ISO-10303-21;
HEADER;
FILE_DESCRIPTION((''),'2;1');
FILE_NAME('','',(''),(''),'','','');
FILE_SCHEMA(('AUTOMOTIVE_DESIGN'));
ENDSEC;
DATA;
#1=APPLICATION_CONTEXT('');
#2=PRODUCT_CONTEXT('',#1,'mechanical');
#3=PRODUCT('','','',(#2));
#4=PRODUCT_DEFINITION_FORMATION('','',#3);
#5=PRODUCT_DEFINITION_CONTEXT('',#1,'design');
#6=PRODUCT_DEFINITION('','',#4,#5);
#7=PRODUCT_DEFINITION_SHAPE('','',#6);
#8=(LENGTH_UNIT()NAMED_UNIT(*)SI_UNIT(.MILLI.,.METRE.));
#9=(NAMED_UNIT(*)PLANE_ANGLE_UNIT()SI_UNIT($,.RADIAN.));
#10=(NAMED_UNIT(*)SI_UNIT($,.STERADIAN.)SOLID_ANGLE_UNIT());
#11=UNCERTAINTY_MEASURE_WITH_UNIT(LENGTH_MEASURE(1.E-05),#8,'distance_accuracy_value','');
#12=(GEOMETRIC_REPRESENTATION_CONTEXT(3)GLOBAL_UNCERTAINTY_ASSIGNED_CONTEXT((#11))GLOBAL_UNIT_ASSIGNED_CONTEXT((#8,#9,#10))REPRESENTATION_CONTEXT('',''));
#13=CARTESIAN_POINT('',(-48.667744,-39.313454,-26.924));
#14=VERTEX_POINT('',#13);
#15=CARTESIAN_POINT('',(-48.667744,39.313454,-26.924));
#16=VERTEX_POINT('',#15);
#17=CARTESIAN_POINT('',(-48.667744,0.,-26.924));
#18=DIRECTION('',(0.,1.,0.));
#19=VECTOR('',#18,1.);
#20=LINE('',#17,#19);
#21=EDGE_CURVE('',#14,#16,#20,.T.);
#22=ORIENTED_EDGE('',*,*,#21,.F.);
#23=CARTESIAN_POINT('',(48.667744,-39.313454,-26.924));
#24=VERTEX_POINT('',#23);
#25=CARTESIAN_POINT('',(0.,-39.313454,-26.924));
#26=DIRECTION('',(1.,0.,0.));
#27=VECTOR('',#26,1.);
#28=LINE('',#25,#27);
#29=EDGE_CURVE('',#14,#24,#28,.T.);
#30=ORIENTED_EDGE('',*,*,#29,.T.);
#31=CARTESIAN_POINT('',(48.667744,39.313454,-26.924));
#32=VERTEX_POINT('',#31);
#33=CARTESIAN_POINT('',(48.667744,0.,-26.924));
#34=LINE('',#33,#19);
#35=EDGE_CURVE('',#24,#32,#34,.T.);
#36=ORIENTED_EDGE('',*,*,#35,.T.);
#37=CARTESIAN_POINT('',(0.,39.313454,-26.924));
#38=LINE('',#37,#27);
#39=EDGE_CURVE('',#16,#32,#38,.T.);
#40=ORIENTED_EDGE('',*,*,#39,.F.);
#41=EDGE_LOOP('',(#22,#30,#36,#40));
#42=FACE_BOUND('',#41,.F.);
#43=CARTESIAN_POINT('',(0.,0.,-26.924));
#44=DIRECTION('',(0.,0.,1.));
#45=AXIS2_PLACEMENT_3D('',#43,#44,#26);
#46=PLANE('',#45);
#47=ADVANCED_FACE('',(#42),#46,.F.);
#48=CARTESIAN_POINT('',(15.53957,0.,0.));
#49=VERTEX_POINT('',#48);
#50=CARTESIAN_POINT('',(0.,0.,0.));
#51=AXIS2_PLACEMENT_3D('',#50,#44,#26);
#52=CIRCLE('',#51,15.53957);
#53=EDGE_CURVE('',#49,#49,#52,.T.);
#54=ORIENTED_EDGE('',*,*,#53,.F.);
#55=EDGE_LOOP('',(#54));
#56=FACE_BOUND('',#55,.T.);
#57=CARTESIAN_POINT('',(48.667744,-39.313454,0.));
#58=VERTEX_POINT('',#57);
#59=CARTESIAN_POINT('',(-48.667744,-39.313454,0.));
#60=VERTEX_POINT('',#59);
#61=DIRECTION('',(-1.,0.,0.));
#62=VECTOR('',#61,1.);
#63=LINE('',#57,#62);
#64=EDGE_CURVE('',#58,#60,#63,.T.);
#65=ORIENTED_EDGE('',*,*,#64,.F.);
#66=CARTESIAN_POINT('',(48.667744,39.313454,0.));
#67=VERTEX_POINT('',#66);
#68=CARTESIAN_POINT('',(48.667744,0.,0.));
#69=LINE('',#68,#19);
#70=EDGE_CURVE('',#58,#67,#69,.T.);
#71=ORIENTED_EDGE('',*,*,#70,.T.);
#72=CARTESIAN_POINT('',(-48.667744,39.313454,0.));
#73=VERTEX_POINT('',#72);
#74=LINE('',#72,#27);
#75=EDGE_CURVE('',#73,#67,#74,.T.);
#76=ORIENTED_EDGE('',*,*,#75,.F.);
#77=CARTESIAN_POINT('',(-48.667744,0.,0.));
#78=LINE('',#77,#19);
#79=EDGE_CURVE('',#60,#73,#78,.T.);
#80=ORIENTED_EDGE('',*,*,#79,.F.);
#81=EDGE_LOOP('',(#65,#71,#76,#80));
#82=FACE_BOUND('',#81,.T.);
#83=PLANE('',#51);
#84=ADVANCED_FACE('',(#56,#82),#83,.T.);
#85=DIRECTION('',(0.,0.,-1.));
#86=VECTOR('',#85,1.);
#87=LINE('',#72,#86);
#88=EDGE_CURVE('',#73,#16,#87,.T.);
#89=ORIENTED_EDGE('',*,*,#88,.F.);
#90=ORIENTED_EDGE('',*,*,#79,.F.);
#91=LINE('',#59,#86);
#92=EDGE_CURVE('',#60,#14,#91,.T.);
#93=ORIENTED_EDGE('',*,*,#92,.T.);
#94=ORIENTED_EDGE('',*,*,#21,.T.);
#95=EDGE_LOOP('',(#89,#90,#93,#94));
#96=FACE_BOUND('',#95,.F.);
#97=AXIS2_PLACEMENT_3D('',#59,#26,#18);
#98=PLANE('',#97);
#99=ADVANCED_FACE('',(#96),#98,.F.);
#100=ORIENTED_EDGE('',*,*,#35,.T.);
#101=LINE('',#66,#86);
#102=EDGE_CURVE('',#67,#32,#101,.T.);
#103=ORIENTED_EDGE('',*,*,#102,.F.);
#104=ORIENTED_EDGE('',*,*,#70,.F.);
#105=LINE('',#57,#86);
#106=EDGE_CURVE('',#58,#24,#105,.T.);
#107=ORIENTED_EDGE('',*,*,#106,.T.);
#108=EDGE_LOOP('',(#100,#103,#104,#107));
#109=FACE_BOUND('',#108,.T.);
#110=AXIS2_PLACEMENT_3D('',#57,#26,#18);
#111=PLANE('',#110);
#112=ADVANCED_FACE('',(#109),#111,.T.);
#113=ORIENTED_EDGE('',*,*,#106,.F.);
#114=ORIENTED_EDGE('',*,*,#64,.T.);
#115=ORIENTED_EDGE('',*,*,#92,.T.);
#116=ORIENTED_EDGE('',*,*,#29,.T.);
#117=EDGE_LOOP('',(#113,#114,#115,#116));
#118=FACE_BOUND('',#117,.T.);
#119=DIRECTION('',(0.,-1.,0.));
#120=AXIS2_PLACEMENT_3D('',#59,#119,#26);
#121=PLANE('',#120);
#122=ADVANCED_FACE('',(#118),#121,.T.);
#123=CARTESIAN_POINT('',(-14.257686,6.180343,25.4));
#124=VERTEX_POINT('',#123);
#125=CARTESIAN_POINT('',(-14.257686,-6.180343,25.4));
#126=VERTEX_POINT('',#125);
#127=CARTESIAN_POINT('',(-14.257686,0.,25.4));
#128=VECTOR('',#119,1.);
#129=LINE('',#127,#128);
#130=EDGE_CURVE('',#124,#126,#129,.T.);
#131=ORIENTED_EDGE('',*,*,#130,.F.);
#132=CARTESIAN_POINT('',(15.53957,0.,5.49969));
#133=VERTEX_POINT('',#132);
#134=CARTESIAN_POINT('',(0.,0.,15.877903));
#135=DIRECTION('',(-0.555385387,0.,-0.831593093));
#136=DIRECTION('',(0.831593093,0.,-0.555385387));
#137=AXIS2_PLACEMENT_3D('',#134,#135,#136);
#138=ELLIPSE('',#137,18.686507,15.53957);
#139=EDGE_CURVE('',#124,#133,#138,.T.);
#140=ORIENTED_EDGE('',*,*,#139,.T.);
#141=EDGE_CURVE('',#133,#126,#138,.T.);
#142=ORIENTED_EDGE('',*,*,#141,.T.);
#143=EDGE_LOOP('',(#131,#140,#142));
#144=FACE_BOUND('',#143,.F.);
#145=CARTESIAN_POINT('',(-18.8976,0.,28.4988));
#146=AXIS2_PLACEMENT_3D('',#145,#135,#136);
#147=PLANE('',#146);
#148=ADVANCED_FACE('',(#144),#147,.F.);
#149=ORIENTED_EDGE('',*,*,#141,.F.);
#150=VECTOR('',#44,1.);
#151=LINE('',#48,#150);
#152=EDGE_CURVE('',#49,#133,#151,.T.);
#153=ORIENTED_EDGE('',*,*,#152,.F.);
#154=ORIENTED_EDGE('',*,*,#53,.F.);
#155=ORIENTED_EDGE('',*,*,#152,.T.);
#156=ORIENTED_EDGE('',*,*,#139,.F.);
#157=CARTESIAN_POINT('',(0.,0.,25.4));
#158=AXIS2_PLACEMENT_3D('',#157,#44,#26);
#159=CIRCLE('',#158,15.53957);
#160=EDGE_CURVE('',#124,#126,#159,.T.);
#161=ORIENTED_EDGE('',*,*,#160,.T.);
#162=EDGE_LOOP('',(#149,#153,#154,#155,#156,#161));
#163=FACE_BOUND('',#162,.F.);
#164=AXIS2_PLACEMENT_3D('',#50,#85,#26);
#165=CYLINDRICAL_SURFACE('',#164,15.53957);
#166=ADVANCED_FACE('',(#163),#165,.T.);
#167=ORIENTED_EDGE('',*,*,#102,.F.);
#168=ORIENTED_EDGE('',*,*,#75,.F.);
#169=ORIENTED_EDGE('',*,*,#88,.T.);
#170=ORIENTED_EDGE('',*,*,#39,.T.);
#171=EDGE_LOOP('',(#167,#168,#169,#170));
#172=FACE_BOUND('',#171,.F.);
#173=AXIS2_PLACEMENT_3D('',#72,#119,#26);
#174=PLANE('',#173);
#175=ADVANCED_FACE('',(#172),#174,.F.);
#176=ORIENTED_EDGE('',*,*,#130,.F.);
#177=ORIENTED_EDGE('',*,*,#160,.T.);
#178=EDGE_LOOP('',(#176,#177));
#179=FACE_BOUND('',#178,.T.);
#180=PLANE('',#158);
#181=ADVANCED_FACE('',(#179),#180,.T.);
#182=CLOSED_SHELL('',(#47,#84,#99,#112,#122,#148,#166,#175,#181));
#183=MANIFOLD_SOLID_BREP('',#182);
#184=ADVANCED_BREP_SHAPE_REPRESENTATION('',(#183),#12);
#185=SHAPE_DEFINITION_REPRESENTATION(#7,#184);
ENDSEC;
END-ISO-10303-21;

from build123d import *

# Parameters (mm, degrees)
F0_W     = 97.335488
F0_H     = 78.626908
F1_DEPTH = 26.924
F2_R     = 15.53957
F3_DEPTH = 25.4
F5_DEPTH = 63.5


with BuildPart() as f1:
    # F0 (on Top) → F1 (new body)
    with BuildSketch(Plane.XY):
        Rectangle(F0_W, F0_H)
    extrude(amount=-F1_DEPTH)

    # F2 (on Top) → F3 (join)
    with BuildSketch(Plane.XY):
        Circle(F2_R)
    extrude(amount=F3_DEPTH)

    # F4 (on Front) → F5 (cut, symmetric)
    with BuildSketch(Plane.XZ):
        Polygon((23.7744, 28.803602), (-18.8976, 28.4988), (23.7744, 0), align=None)
    extrude(amount=F5_DEPTH, both=True, mode=Mode.SUBTRACT)


solid = f1.part
